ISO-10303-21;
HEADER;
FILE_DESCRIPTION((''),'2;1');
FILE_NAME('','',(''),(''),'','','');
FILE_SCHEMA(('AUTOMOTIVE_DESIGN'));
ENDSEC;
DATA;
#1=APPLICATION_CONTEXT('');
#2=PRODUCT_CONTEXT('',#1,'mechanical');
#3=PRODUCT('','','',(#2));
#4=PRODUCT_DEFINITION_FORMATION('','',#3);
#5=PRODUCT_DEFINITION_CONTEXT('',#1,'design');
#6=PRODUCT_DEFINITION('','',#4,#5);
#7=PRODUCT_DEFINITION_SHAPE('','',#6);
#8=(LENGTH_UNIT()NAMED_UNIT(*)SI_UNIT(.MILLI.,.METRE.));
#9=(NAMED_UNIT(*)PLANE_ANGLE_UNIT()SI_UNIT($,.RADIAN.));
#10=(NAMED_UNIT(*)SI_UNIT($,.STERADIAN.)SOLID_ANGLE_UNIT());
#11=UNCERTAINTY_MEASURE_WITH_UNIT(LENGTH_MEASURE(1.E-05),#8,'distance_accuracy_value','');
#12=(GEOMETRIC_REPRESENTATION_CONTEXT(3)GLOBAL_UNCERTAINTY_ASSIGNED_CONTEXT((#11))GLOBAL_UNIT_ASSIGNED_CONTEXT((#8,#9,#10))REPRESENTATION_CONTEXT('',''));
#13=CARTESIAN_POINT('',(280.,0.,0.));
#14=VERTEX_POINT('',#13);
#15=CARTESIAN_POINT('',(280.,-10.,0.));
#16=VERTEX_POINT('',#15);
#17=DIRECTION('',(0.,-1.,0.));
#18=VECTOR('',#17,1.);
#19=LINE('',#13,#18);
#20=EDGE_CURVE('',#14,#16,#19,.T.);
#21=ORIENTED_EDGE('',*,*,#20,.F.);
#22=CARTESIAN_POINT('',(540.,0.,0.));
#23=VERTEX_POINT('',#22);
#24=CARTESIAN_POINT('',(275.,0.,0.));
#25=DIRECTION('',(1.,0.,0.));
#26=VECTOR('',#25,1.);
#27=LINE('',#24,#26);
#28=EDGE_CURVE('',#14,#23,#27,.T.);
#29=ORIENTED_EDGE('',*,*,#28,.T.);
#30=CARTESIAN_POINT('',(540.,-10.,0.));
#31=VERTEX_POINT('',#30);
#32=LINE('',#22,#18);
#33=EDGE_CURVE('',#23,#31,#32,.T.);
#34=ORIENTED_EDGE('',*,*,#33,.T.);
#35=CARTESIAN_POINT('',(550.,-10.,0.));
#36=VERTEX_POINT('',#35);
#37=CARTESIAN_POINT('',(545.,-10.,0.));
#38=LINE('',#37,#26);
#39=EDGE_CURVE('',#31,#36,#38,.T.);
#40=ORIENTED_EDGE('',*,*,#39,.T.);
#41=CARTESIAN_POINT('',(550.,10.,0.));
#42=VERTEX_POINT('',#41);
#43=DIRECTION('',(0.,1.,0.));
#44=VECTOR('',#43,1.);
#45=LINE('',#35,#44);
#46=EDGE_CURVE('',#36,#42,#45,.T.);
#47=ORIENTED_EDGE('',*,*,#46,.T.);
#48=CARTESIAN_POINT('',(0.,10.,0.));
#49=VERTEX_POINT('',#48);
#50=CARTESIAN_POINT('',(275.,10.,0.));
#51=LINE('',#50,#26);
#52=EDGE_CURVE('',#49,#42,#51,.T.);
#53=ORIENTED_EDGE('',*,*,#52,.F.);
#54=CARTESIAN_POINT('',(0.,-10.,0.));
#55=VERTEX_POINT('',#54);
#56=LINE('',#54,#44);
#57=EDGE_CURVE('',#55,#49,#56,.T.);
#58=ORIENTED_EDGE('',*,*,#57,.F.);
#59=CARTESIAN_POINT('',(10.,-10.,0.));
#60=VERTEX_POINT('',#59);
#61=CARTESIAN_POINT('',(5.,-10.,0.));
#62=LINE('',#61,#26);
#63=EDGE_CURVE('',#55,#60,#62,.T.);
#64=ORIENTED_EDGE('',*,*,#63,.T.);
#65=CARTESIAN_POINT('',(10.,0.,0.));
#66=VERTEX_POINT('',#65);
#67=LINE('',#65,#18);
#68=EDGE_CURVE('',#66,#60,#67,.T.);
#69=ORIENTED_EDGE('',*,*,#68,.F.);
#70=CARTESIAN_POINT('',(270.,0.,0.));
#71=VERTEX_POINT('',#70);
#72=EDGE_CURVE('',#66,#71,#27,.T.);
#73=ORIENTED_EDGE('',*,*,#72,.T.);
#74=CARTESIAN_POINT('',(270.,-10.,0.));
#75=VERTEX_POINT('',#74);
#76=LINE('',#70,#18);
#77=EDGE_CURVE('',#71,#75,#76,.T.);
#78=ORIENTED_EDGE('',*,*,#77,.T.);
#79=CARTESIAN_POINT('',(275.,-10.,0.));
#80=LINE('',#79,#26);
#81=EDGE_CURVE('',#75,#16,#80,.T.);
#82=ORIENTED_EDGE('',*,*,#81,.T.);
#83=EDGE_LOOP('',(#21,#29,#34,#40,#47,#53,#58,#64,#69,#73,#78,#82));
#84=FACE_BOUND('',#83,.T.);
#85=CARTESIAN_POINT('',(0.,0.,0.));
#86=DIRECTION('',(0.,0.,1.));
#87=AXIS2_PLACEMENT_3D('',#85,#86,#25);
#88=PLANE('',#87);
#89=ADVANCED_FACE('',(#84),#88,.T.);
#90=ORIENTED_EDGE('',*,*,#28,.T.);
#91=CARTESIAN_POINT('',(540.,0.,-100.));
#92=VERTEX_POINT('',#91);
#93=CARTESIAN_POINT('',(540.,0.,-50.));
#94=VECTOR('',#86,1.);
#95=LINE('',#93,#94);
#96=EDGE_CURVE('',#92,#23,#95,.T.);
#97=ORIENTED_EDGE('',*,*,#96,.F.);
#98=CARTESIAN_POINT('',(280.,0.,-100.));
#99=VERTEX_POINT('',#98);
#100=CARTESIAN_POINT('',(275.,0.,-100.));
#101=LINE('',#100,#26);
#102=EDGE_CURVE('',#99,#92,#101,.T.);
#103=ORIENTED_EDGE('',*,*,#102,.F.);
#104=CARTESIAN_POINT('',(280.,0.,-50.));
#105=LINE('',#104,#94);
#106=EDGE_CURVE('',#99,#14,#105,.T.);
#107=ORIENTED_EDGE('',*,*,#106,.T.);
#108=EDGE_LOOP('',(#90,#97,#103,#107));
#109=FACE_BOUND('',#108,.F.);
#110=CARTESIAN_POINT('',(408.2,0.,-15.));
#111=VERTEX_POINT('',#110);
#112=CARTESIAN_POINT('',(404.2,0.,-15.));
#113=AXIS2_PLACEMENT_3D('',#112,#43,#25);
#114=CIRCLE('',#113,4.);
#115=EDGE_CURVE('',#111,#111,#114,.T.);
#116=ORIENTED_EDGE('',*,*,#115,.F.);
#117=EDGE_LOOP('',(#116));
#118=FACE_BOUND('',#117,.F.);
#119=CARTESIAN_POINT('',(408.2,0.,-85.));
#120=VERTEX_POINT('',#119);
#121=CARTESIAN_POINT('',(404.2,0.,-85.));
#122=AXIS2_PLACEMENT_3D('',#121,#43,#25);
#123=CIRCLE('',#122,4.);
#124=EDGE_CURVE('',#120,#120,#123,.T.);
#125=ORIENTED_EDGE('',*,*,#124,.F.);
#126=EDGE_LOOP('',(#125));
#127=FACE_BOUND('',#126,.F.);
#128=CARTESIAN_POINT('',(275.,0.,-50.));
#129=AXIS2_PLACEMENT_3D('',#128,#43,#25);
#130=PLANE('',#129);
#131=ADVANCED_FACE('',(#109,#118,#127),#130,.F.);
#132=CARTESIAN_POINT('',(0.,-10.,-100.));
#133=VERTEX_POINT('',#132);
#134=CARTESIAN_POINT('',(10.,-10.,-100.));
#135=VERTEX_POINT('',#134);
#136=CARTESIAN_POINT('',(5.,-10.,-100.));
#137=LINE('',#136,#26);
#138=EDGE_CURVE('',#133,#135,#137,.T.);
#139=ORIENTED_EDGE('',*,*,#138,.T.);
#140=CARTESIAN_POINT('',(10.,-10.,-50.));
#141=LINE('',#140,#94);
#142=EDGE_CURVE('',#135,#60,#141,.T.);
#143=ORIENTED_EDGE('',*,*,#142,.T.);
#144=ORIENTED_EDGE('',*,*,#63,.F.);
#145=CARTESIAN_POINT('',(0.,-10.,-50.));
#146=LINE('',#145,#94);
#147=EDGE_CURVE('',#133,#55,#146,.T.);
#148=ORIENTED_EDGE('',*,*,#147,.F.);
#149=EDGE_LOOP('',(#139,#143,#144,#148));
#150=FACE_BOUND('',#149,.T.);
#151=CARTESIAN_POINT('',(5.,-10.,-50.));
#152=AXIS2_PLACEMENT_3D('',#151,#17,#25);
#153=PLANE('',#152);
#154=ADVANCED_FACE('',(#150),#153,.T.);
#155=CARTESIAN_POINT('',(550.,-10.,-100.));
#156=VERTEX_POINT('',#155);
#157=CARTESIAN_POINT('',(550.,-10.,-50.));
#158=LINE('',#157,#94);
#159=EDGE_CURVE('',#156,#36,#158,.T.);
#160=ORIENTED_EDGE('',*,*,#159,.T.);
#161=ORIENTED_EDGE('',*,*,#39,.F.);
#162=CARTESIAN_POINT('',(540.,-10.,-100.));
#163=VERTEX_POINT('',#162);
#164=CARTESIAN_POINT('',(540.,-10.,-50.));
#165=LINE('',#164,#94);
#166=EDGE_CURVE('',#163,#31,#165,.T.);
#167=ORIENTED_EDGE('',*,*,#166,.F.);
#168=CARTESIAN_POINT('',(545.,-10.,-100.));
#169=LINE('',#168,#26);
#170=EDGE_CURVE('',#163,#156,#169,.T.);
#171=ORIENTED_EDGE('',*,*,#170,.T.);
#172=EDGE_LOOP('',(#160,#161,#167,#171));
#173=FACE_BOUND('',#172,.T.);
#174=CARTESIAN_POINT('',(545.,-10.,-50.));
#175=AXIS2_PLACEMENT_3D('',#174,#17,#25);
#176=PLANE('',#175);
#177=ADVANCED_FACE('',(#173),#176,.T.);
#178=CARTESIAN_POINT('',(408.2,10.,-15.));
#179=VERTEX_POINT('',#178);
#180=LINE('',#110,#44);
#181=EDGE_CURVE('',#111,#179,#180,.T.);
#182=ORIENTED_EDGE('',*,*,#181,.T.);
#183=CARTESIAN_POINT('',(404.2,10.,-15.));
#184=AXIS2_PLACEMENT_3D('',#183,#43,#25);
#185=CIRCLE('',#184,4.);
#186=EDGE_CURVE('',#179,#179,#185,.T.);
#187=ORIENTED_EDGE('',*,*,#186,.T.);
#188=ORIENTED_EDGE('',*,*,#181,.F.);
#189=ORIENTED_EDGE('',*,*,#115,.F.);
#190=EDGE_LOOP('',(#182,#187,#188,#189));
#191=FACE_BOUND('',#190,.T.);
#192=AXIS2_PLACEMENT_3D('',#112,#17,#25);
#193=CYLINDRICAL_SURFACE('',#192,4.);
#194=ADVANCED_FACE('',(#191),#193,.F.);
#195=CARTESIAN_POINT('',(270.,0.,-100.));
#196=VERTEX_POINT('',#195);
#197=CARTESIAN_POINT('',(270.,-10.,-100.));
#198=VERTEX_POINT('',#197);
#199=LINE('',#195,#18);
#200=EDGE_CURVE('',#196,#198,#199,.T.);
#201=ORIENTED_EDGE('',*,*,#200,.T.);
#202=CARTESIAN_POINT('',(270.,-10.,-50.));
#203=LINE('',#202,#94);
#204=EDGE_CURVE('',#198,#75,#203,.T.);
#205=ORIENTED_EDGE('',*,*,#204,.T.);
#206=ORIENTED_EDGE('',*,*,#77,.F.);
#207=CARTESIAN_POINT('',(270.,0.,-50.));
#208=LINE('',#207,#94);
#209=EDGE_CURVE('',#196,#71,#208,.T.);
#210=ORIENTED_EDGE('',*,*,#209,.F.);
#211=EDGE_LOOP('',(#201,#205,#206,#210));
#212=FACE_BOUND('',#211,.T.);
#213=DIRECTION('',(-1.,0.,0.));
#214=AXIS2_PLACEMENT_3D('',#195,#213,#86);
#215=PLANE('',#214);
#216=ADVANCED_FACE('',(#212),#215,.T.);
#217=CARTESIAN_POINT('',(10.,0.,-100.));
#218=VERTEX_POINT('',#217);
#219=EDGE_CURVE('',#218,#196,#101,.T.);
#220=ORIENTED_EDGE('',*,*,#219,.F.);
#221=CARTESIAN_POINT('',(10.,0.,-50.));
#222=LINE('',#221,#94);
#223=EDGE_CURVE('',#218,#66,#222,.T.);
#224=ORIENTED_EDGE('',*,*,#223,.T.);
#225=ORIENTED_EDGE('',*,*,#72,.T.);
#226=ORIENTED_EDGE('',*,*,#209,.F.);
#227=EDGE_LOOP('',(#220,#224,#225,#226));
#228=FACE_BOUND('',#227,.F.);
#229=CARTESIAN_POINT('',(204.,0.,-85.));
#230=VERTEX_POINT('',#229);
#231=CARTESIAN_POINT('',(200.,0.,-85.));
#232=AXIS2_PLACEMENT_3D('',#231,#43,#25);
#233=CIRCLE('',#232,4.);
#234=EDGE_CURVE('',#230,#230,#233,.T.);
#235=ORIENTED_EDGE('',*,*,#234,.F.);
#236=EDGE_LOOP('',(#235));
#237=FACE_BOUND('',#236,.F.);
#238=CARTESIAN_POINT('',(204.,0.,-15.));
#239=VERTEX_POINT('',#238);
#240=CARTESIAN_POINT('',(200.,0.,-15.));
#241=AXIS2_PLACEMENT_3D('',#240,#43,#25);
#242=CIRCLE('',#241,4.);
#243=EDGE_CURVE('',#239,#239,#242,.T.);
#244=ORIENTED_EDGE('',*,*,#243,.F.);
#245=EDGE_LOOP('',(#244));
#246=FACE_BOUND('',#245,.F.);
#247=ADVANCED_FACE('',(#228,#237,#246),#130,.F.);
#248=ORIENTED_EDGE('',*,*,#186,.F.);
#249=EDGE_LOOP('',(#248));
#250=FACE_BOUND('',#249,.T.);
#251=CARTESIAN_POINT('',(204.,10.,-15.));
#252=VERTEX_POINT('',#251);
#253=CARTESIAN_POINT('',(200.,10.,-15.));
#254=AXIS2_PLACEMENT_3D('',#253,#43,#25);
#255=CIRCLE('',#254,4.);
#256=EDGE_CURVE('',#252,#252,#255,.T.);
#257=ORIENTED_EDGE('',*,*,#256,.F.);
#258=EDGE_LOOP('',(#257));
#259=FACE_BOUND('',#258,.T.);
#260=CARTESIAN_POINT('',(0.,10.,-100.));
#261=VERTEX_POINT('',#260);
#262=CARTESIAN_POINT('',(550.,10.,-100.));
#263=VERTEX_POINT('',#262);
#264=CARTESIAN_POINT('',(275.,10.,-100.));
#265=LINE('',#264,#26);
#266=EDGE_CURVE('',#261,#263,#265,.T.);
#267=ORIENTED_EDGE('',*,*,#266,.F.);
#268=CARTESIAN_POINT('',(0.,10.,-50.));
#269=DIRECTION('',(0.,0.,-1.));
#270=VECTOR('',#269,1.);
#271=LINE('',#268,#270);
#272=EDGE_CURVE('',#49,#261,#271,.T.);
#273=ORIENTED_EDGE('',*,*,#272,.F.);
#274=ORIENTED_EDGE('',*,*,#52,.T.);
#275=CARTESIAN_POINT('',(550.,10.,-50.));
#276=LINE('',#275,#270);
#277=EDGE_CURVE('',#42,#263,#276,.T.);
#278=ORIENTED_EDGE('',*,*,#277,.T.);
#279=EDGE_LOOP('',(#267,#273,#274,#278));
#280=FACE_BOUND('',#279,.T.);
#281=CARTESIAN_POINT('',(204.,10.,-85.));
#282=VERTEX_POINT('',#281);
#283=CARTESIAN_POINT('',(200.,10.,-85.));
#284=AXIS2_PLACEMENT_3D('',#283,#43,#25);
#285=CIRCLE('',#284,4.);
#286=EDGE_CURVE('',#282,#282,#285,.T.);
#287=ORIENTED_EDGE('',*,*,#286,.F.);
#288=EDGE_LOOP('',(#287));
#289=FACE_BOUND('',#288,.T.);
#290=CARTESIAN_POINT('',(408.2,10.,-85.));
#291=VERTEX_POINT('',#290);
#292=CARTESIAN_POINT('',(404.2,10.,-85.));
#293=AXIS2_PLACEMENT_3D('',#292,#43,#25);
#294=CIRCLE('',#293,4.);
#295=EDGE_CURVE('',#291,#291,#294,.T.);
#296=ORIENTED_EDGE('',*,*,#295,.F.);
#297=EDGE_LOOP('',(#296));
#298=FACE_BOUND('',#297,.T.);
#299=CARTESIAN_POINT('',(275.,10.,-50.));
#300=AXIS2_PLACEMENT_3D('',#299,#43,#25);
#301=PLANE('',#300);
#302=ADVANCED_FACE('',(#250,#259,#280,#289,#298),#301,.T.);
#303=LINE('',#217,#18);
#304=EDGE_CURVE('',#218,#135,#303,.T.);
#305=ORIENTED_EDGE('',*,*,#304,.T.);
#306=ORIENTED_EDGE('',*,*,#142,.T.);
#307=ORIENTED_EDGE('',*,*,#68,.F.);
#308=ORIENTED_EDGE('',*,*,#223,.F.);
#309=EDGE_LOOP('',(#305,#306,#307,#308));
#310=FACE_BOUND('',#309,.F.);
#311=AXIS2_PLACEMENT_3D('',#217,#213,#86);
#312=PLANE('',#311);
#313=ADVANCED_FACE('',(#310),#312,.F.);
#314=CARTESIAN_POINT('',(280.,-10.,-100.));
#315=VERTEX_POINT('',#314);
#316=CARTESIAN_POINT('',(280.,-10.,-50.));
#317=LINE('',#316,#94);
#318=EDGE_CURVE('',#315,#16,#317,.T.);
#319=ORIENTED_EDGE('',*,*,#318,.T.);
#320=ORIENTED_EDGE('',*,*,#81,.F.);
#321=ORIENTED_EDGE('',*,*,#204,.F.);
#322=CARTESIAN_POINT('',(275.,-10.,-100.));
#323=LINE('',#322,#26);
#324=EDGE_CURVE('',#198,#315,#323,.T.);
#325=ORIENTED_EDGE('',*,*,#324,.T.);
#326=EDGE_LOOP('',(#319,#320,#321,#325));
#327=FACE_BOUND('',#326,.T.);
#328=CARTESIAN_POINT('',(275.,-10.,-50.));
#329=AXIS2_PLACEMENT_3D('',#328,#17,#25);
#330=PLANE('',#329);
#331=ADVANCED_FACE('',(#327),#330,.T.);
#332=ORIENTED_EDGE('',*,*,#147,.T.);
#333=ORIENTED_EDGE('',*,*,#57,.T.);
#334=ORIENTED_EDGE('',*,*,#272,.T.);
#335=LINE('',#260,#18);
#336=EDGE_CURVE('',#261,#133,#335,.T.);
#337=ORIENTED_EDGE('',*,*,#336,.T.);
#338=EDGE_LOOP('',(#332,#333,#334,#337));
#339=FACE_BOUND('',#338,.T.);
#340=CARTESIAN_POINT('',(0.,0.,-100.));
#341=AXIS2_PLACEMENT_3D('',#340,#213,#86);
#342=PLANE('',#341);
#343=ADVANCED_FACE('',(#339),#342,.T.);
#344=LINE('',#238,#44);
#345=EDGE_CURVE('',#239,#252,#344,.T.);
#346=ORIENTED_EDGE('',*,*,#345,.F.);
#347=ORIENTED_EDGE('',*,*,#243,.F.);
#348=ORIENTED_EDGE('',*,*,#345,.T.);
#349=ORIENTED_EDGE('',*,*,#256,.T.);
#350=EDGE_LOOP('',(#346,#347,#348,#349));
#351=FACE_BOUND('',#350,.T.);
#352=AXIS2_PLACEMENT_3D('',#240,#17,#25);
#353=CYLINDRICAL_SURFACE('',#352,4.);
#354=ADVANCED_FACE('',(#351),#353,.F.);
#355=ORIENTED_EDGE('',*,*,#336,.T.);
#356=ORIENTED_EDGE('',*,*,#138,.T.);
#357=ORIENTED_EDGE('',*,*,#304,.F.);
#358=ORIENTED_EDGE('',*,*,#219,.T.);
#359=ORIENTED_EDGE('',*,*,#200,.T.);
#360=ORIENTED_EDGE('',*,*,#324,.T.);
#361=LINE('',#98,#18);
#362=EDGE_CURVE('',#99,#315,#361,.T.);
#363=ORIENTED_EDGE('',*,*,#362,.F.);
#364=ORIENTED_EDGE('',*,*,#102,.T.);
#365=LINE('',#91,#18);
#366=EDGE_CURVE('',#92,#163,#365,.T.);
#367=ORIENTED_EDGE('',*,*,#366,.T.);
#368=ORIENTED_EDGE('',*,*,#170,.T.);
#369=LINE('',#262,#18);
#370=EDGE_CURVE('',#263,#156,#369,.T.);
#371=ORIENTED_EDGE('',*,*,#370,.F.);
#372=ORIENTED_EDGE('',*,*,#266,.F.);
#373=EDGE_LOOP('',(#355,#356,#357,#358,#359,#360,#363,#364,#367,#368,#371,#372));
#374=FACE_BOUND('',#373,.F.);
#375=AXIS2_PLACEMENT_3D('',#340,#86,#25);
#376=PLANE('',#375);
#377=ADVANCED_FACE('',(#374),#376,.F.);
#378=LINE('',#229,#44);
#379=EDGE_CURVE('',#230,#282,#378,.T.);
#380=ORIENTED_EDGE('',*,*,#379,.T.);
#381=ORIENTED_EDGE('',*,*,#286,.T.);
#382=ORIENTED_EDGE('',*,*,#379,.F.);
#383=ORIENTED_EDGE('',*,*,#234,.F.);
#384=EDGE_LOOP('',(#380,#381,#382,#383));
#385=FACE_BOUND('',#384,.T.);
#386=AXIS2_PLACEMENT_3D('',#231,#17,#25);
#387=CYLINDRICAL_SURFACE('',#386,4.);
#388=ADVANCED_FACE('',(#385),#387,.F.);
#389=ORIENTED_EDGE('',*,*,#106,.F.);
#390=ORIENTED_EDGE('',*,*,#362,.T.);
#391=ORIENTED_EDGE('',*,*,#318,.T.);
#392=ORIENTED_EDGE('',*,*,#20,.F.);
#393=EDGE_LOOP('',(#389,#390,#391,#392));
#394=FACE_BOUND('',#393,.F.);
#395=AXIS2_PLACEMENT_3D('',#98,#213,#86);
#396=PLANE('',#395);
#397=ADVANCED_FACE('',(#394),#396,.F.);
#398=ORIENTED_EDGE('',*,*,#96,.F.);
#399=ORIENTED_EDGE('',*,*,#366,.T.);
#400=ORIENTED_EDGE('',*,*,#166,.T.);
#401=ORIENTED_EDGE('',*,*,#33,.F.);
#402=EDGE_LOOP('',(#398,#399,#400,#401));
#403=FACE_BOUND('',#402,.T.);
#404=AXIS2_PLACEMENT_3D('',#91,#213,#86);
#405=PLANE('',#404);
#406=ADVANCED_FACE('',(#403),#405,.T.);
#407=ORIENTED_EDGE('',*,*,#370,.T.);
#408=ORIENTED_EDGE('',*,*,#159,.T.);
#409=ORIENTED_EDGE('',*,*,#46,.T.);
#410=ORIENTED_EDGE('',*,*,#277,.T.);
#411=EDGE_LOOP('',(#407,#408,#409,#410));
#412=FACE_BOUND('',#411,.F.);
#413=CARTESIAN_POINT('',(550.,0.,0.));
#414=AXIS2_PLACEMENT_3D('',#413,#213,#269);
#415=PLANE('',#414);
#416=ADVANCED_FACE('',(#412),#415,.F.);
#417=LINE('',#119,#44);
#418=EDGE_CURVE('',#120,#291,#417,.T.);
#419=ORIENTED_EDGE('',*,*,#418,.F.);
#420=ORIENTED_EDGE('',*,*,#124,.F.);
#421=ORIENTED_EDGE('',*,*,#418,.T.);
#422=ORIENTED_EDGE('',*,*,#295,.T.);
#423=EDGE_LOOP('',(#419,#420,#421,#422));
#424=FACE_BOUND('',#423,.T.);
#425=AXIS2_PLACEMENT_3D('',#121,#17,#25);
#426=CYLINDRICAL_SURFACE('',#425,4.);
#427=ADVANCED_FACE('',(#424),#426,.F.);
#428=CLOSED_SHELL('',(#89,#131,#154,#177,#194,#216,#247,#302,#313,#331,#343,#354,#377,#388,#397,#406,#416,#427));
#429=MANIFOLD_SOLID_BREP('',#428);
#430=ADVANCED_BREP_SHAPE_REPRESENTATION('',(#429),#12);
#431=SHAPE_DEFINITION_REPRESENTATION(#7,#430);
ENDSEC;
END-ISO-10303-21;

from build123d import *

# Parameters (mm, degrees)
SCHIZZO1_W                   = 550
SCHIZZO1_H                   = 100
SCHIZZO1_R                   = 4
ESTRUSIONE_ESTRUSIONE1_DEPTH = 10
SCHIZZO2_W                   = 10
SCHIZZO2_H                   = 100
ESTRUSIONE_ESTRUSIONE2_DEPTH = 10


with BuildPart() as part:
    # Schizzo1 → Estrusione-Estrusione1 (new body)
    with BuildSketch(Plane(origin=(0, 0, 0), x_dir=(1, 0, 0), z_dir=(0, 1, 0))):
        with Locations((275, 50)):
            Rectangle(SCHIZZO1_W, SCHIZZO1_H)
        with Locations((200, 85)):
            Circle(SCHIZZO1_R, mode=Mode.SUBTRACT)
        with Locations((200, 15)):
            Circle(SCHIZZO1_R, mode=Mode.SUBTRACT)
        with Locations((404.2, 15)):
            Circle(SCHIZZO1_R, mode=Mode.SUBTRACT)
        with Locations((404.2, 85)):
            Circle(SCHIZZO1_R, mode=Mode.SUBTRACT)
    extrude(amount=ESTRUSIONE_ESTRUSIONE1_DEPTH)

    # Schizzo2 → Estrusione-Estrusione2 (add)
    with BuildSketch(Plane.XZ):
        with Locations((5, -50)):
            Rectangle(SCHIZZO2_W, SCHIZZO2_H)
        with Locations((545, -50)):
            Rectangle(SCHIZZO2_W, SCHIZZO2_H)
        with Locations((275, -50)):
            Rectangle(SCHIZZO2_W, SCHIZZO2_H)
    extrude(amount=ESTRUSIONE_ESTRUSIONE2_DEPTH)


solid = part.part
